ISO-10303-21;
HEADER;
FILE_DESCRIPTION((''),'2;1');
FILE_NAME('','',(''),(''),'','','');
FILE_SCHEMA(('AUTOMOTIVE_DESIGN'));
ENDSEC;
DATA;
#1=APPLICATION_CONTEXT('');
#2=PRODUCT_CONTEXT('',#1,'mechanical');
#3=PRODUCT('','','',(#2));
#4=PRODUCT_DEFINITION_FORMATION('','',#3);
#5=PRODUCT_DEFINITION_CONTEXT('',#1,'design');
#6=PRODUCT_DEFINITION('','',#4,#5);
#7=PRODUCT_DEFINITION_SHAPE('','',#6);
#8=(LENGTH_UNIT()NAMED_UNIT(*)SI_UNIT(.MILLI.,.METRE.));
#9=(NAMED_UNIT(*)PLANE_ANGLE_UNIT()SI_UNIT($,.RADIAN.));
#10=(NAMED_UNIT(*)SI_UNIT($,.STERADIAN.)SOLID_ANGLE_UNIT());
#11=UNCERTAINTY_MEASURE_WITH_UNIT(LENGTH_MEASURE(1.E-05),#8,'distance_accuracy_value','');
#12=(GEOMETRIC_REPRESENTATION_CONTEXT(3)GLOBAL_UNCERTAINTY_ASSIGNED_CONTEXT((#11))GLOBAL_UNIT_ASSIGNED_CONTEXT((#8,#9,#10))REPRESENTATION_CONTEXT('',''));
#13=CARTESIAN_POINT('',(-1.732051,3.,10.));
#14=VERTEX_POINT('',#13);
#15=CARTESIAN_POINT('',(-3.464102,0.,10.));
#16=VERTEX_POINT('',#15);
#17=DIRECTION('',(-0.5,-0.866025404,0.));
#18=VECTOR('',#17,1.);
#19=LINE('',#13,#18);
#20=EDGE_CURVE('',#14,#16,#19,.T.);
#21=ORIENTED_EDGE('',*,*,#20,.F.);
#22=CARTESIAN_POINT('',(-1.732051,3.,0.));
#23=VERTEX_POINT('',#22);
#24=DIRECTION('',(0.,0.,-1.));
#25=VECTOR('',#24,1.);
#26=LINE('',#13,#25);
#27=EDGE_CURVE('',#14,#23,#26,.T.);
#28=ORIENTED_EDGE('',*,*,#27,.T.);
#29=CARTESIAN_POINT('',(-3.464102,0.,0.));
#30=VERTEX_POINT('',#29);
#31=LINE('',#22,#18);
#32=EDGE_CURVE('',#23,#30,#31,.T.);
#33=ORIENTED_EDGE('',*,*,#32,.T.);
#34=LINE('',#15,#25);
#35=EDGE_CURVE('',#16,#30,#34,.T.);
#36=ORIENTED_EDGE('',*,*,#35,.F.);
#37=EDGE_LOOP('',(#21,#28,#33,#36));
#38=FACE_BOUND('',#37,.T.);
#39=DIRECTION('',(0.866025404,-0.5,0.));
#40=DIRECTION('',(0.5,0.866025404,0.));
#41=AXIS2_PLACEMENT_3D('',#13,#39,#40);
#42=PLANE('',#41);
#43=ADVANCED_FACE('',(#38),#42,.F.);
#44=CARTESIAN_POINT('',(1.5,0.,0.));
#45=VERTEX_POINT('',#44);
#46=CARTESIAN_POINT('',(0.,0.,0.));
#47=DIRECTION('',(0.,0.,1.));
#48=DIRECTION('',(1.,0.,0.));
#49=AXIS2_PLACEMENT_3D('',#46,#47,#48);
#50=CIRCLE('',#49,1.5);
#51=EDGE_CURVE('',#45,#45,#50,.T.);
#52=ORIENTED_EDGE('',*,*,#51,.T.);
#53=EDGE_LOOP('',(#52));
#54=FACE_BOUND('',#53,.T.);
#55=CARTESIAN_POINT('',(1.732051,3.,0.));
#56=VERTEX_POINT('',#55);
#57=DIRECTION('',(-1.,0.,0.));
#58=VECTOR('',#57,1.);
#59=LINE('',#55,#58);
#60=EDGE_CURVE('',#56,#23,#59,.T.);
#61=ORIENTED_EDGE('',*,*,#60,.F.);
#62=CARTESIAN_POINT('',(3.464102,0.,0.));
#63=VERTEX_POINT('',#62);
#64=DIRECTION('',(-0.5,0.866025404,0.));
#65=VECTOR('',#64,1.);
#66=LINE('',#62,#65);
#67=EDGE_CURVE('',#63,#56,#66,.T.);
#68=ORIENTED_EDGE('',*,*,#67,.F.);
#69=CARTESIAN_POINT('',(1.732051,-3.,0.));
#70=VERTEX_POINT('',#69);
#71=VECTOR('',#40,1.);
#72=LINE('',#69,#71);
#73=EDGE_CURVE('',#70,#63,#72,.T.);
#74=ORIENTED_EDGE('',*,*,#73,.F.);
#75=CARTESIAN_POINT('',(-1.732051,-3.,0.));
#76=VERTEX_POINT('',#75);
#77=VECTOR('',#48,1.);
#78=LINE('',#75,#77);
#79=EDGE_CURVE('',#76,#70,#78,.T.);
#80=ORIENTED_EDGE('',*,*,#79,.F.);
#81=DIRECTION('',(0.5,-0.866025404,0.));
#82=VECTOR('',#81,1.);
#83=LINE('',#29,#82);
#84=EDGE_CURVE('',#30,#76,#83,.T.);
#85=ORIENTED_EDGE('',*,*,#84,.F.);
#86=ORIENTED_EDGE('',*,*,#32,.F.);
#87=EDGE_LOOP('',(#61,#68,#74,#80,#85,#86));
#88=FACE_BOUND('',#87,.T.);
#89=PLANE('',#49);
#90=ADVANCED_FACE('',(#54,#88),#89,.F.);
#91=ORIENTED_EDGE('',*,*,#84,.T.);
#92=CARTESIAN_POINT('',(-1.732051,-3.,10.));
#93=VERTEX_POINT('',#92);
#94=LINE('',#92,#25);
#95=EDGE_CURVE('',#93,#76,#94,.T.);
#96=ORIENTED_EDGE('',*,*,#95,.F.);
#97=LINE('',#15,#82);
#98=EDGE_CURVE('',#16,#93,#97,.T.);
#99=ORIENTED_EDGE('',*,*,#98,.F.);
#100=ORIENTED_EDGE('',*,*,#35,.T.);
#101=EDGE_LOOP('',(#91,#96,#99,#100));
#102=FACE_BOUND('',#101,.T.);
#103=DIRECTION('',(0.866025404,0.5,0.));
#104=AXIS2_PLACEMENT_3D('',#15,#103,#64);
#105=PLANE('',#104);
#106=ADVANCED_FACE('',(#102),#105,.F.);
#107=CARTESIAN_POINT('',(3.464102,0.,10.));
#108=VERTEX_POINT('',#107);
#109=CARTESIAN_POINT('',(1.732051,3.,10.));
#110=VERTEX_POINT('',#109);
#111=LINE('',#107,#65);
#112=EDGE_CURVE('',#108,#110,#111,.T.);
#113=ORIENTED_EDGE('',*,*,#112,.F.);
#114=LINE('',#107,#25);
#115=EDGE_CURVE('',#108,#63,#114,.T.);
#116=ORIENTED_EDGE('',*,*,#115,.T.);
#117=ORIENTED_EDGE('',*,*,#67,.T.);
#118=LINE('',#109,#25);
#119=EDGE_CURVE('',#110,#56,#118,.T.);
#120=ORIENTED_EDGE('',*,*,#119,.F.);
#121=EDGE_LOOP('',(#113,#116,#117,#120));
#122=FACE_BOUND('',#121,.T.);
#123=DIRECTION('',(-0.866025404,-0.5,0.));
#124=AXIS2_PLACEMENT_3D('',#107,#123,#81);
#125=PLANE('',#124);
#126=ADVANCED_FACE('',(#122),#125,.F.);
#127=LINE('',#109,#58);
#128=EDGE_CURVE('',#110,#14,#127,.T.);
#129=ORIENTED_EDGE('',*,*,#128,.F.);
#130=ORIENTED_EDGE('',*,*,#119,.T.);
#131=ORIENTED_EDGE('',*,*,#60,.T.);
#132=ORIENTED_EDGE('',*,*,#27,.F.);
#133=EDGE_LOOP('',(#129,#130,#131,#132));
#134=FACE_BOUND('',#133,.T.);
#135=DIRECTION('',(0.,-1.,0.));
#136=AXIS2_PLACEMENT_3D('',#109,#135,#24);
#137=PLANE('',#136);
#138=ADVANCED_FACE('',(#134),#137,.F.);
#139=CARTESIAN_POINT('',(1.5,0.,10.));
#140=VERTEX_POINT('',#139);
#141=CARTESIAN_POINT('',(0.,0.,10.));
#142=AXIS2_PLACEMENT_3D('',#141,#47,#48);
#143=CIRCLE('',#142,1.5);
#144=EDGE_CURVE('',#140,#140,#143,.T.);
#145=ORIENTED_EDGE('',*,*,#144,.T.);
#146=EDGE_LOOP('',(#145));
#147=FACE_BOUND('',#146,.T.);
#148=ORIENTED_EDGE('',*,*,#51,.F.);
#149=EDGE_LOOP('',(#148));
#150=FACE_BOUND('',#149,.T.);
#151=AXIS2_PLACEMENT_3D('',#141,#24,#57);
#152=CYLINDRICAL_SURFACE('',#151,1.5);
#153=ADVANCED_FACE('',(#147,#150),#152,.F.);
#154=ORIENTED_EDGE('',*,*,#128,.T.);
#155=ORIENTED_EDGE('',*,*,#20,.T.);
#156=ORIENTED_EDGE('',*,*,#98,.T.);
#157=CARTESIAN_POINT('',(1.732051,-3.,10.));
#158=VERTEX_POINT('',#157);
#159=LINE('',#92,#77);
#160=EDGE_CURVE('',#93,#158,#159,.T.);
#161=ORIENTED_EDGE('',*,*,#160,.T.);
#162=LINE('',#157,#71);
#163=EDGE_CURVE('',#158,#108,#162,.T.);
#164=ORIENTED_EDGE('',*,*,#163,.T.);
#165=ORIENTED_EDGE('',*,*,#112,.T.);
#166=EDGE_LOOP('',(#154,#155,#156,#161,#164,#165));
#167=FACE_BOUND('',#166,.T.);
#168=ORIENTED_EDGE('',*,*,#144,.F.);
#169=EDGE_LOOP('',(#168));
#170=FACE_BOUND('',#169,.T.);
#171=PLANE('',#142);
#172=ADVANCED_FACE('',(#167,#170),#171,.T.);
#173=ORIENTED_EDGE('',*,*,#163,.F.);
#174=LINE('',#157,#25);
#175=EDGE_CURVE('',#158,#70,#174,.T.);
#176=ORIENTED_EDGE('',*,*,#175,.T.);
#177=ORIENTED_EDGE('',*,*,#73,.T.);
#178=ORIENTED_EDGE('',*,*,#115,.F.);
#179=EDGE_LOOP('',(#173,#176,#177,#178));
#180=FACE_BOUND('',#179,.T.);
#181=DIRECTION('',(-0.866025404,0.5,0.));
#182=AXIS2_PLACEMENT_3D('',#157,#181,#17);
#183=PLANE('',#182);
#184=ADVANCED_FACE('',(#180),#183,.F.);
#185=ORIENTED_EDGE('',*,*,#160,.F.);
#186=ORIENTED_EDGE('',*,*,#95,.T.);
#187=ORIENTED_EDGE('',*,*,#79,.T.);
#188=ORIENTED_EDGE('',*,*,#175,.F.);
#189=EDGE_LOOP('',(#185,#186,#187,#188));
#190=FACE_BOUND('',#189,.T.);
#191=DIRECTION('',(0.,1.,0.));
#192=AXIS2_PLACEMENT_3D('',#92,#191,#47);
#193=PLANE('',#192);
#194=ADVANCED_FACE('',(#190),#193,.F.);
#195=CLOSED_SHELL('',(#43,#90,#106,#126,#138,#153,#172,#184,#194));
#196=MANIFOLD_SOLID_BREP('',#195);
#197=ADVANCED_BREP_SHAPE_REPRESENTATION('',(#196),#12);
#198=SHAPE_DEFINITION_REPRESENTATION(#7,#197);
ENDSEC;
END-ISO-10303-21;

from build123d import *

# Parameters (mm, degrees)
ESBO_O1_R                = 1.5
RESSALTO_EXTRUS_O1_DEPTH = 10


with BuildPart() as part:
    # Esboço1 → Ressalto-extrusão1 (new body)
    with BuildSketch(Plane.XY):
        Polygon((3.464101615, 0), (1.732050808, 3), (-1.732050808, 3), (-3.464101615, 0), (-1.732050808, -3), (1.732050808, -3), align=None)
        Circle(ESBO_O1_R, mode=Mode.SUBTRACT)
    extrude(amount=RESSALTO_EXTRUS_O1_DEPTH)


solid = part.part
